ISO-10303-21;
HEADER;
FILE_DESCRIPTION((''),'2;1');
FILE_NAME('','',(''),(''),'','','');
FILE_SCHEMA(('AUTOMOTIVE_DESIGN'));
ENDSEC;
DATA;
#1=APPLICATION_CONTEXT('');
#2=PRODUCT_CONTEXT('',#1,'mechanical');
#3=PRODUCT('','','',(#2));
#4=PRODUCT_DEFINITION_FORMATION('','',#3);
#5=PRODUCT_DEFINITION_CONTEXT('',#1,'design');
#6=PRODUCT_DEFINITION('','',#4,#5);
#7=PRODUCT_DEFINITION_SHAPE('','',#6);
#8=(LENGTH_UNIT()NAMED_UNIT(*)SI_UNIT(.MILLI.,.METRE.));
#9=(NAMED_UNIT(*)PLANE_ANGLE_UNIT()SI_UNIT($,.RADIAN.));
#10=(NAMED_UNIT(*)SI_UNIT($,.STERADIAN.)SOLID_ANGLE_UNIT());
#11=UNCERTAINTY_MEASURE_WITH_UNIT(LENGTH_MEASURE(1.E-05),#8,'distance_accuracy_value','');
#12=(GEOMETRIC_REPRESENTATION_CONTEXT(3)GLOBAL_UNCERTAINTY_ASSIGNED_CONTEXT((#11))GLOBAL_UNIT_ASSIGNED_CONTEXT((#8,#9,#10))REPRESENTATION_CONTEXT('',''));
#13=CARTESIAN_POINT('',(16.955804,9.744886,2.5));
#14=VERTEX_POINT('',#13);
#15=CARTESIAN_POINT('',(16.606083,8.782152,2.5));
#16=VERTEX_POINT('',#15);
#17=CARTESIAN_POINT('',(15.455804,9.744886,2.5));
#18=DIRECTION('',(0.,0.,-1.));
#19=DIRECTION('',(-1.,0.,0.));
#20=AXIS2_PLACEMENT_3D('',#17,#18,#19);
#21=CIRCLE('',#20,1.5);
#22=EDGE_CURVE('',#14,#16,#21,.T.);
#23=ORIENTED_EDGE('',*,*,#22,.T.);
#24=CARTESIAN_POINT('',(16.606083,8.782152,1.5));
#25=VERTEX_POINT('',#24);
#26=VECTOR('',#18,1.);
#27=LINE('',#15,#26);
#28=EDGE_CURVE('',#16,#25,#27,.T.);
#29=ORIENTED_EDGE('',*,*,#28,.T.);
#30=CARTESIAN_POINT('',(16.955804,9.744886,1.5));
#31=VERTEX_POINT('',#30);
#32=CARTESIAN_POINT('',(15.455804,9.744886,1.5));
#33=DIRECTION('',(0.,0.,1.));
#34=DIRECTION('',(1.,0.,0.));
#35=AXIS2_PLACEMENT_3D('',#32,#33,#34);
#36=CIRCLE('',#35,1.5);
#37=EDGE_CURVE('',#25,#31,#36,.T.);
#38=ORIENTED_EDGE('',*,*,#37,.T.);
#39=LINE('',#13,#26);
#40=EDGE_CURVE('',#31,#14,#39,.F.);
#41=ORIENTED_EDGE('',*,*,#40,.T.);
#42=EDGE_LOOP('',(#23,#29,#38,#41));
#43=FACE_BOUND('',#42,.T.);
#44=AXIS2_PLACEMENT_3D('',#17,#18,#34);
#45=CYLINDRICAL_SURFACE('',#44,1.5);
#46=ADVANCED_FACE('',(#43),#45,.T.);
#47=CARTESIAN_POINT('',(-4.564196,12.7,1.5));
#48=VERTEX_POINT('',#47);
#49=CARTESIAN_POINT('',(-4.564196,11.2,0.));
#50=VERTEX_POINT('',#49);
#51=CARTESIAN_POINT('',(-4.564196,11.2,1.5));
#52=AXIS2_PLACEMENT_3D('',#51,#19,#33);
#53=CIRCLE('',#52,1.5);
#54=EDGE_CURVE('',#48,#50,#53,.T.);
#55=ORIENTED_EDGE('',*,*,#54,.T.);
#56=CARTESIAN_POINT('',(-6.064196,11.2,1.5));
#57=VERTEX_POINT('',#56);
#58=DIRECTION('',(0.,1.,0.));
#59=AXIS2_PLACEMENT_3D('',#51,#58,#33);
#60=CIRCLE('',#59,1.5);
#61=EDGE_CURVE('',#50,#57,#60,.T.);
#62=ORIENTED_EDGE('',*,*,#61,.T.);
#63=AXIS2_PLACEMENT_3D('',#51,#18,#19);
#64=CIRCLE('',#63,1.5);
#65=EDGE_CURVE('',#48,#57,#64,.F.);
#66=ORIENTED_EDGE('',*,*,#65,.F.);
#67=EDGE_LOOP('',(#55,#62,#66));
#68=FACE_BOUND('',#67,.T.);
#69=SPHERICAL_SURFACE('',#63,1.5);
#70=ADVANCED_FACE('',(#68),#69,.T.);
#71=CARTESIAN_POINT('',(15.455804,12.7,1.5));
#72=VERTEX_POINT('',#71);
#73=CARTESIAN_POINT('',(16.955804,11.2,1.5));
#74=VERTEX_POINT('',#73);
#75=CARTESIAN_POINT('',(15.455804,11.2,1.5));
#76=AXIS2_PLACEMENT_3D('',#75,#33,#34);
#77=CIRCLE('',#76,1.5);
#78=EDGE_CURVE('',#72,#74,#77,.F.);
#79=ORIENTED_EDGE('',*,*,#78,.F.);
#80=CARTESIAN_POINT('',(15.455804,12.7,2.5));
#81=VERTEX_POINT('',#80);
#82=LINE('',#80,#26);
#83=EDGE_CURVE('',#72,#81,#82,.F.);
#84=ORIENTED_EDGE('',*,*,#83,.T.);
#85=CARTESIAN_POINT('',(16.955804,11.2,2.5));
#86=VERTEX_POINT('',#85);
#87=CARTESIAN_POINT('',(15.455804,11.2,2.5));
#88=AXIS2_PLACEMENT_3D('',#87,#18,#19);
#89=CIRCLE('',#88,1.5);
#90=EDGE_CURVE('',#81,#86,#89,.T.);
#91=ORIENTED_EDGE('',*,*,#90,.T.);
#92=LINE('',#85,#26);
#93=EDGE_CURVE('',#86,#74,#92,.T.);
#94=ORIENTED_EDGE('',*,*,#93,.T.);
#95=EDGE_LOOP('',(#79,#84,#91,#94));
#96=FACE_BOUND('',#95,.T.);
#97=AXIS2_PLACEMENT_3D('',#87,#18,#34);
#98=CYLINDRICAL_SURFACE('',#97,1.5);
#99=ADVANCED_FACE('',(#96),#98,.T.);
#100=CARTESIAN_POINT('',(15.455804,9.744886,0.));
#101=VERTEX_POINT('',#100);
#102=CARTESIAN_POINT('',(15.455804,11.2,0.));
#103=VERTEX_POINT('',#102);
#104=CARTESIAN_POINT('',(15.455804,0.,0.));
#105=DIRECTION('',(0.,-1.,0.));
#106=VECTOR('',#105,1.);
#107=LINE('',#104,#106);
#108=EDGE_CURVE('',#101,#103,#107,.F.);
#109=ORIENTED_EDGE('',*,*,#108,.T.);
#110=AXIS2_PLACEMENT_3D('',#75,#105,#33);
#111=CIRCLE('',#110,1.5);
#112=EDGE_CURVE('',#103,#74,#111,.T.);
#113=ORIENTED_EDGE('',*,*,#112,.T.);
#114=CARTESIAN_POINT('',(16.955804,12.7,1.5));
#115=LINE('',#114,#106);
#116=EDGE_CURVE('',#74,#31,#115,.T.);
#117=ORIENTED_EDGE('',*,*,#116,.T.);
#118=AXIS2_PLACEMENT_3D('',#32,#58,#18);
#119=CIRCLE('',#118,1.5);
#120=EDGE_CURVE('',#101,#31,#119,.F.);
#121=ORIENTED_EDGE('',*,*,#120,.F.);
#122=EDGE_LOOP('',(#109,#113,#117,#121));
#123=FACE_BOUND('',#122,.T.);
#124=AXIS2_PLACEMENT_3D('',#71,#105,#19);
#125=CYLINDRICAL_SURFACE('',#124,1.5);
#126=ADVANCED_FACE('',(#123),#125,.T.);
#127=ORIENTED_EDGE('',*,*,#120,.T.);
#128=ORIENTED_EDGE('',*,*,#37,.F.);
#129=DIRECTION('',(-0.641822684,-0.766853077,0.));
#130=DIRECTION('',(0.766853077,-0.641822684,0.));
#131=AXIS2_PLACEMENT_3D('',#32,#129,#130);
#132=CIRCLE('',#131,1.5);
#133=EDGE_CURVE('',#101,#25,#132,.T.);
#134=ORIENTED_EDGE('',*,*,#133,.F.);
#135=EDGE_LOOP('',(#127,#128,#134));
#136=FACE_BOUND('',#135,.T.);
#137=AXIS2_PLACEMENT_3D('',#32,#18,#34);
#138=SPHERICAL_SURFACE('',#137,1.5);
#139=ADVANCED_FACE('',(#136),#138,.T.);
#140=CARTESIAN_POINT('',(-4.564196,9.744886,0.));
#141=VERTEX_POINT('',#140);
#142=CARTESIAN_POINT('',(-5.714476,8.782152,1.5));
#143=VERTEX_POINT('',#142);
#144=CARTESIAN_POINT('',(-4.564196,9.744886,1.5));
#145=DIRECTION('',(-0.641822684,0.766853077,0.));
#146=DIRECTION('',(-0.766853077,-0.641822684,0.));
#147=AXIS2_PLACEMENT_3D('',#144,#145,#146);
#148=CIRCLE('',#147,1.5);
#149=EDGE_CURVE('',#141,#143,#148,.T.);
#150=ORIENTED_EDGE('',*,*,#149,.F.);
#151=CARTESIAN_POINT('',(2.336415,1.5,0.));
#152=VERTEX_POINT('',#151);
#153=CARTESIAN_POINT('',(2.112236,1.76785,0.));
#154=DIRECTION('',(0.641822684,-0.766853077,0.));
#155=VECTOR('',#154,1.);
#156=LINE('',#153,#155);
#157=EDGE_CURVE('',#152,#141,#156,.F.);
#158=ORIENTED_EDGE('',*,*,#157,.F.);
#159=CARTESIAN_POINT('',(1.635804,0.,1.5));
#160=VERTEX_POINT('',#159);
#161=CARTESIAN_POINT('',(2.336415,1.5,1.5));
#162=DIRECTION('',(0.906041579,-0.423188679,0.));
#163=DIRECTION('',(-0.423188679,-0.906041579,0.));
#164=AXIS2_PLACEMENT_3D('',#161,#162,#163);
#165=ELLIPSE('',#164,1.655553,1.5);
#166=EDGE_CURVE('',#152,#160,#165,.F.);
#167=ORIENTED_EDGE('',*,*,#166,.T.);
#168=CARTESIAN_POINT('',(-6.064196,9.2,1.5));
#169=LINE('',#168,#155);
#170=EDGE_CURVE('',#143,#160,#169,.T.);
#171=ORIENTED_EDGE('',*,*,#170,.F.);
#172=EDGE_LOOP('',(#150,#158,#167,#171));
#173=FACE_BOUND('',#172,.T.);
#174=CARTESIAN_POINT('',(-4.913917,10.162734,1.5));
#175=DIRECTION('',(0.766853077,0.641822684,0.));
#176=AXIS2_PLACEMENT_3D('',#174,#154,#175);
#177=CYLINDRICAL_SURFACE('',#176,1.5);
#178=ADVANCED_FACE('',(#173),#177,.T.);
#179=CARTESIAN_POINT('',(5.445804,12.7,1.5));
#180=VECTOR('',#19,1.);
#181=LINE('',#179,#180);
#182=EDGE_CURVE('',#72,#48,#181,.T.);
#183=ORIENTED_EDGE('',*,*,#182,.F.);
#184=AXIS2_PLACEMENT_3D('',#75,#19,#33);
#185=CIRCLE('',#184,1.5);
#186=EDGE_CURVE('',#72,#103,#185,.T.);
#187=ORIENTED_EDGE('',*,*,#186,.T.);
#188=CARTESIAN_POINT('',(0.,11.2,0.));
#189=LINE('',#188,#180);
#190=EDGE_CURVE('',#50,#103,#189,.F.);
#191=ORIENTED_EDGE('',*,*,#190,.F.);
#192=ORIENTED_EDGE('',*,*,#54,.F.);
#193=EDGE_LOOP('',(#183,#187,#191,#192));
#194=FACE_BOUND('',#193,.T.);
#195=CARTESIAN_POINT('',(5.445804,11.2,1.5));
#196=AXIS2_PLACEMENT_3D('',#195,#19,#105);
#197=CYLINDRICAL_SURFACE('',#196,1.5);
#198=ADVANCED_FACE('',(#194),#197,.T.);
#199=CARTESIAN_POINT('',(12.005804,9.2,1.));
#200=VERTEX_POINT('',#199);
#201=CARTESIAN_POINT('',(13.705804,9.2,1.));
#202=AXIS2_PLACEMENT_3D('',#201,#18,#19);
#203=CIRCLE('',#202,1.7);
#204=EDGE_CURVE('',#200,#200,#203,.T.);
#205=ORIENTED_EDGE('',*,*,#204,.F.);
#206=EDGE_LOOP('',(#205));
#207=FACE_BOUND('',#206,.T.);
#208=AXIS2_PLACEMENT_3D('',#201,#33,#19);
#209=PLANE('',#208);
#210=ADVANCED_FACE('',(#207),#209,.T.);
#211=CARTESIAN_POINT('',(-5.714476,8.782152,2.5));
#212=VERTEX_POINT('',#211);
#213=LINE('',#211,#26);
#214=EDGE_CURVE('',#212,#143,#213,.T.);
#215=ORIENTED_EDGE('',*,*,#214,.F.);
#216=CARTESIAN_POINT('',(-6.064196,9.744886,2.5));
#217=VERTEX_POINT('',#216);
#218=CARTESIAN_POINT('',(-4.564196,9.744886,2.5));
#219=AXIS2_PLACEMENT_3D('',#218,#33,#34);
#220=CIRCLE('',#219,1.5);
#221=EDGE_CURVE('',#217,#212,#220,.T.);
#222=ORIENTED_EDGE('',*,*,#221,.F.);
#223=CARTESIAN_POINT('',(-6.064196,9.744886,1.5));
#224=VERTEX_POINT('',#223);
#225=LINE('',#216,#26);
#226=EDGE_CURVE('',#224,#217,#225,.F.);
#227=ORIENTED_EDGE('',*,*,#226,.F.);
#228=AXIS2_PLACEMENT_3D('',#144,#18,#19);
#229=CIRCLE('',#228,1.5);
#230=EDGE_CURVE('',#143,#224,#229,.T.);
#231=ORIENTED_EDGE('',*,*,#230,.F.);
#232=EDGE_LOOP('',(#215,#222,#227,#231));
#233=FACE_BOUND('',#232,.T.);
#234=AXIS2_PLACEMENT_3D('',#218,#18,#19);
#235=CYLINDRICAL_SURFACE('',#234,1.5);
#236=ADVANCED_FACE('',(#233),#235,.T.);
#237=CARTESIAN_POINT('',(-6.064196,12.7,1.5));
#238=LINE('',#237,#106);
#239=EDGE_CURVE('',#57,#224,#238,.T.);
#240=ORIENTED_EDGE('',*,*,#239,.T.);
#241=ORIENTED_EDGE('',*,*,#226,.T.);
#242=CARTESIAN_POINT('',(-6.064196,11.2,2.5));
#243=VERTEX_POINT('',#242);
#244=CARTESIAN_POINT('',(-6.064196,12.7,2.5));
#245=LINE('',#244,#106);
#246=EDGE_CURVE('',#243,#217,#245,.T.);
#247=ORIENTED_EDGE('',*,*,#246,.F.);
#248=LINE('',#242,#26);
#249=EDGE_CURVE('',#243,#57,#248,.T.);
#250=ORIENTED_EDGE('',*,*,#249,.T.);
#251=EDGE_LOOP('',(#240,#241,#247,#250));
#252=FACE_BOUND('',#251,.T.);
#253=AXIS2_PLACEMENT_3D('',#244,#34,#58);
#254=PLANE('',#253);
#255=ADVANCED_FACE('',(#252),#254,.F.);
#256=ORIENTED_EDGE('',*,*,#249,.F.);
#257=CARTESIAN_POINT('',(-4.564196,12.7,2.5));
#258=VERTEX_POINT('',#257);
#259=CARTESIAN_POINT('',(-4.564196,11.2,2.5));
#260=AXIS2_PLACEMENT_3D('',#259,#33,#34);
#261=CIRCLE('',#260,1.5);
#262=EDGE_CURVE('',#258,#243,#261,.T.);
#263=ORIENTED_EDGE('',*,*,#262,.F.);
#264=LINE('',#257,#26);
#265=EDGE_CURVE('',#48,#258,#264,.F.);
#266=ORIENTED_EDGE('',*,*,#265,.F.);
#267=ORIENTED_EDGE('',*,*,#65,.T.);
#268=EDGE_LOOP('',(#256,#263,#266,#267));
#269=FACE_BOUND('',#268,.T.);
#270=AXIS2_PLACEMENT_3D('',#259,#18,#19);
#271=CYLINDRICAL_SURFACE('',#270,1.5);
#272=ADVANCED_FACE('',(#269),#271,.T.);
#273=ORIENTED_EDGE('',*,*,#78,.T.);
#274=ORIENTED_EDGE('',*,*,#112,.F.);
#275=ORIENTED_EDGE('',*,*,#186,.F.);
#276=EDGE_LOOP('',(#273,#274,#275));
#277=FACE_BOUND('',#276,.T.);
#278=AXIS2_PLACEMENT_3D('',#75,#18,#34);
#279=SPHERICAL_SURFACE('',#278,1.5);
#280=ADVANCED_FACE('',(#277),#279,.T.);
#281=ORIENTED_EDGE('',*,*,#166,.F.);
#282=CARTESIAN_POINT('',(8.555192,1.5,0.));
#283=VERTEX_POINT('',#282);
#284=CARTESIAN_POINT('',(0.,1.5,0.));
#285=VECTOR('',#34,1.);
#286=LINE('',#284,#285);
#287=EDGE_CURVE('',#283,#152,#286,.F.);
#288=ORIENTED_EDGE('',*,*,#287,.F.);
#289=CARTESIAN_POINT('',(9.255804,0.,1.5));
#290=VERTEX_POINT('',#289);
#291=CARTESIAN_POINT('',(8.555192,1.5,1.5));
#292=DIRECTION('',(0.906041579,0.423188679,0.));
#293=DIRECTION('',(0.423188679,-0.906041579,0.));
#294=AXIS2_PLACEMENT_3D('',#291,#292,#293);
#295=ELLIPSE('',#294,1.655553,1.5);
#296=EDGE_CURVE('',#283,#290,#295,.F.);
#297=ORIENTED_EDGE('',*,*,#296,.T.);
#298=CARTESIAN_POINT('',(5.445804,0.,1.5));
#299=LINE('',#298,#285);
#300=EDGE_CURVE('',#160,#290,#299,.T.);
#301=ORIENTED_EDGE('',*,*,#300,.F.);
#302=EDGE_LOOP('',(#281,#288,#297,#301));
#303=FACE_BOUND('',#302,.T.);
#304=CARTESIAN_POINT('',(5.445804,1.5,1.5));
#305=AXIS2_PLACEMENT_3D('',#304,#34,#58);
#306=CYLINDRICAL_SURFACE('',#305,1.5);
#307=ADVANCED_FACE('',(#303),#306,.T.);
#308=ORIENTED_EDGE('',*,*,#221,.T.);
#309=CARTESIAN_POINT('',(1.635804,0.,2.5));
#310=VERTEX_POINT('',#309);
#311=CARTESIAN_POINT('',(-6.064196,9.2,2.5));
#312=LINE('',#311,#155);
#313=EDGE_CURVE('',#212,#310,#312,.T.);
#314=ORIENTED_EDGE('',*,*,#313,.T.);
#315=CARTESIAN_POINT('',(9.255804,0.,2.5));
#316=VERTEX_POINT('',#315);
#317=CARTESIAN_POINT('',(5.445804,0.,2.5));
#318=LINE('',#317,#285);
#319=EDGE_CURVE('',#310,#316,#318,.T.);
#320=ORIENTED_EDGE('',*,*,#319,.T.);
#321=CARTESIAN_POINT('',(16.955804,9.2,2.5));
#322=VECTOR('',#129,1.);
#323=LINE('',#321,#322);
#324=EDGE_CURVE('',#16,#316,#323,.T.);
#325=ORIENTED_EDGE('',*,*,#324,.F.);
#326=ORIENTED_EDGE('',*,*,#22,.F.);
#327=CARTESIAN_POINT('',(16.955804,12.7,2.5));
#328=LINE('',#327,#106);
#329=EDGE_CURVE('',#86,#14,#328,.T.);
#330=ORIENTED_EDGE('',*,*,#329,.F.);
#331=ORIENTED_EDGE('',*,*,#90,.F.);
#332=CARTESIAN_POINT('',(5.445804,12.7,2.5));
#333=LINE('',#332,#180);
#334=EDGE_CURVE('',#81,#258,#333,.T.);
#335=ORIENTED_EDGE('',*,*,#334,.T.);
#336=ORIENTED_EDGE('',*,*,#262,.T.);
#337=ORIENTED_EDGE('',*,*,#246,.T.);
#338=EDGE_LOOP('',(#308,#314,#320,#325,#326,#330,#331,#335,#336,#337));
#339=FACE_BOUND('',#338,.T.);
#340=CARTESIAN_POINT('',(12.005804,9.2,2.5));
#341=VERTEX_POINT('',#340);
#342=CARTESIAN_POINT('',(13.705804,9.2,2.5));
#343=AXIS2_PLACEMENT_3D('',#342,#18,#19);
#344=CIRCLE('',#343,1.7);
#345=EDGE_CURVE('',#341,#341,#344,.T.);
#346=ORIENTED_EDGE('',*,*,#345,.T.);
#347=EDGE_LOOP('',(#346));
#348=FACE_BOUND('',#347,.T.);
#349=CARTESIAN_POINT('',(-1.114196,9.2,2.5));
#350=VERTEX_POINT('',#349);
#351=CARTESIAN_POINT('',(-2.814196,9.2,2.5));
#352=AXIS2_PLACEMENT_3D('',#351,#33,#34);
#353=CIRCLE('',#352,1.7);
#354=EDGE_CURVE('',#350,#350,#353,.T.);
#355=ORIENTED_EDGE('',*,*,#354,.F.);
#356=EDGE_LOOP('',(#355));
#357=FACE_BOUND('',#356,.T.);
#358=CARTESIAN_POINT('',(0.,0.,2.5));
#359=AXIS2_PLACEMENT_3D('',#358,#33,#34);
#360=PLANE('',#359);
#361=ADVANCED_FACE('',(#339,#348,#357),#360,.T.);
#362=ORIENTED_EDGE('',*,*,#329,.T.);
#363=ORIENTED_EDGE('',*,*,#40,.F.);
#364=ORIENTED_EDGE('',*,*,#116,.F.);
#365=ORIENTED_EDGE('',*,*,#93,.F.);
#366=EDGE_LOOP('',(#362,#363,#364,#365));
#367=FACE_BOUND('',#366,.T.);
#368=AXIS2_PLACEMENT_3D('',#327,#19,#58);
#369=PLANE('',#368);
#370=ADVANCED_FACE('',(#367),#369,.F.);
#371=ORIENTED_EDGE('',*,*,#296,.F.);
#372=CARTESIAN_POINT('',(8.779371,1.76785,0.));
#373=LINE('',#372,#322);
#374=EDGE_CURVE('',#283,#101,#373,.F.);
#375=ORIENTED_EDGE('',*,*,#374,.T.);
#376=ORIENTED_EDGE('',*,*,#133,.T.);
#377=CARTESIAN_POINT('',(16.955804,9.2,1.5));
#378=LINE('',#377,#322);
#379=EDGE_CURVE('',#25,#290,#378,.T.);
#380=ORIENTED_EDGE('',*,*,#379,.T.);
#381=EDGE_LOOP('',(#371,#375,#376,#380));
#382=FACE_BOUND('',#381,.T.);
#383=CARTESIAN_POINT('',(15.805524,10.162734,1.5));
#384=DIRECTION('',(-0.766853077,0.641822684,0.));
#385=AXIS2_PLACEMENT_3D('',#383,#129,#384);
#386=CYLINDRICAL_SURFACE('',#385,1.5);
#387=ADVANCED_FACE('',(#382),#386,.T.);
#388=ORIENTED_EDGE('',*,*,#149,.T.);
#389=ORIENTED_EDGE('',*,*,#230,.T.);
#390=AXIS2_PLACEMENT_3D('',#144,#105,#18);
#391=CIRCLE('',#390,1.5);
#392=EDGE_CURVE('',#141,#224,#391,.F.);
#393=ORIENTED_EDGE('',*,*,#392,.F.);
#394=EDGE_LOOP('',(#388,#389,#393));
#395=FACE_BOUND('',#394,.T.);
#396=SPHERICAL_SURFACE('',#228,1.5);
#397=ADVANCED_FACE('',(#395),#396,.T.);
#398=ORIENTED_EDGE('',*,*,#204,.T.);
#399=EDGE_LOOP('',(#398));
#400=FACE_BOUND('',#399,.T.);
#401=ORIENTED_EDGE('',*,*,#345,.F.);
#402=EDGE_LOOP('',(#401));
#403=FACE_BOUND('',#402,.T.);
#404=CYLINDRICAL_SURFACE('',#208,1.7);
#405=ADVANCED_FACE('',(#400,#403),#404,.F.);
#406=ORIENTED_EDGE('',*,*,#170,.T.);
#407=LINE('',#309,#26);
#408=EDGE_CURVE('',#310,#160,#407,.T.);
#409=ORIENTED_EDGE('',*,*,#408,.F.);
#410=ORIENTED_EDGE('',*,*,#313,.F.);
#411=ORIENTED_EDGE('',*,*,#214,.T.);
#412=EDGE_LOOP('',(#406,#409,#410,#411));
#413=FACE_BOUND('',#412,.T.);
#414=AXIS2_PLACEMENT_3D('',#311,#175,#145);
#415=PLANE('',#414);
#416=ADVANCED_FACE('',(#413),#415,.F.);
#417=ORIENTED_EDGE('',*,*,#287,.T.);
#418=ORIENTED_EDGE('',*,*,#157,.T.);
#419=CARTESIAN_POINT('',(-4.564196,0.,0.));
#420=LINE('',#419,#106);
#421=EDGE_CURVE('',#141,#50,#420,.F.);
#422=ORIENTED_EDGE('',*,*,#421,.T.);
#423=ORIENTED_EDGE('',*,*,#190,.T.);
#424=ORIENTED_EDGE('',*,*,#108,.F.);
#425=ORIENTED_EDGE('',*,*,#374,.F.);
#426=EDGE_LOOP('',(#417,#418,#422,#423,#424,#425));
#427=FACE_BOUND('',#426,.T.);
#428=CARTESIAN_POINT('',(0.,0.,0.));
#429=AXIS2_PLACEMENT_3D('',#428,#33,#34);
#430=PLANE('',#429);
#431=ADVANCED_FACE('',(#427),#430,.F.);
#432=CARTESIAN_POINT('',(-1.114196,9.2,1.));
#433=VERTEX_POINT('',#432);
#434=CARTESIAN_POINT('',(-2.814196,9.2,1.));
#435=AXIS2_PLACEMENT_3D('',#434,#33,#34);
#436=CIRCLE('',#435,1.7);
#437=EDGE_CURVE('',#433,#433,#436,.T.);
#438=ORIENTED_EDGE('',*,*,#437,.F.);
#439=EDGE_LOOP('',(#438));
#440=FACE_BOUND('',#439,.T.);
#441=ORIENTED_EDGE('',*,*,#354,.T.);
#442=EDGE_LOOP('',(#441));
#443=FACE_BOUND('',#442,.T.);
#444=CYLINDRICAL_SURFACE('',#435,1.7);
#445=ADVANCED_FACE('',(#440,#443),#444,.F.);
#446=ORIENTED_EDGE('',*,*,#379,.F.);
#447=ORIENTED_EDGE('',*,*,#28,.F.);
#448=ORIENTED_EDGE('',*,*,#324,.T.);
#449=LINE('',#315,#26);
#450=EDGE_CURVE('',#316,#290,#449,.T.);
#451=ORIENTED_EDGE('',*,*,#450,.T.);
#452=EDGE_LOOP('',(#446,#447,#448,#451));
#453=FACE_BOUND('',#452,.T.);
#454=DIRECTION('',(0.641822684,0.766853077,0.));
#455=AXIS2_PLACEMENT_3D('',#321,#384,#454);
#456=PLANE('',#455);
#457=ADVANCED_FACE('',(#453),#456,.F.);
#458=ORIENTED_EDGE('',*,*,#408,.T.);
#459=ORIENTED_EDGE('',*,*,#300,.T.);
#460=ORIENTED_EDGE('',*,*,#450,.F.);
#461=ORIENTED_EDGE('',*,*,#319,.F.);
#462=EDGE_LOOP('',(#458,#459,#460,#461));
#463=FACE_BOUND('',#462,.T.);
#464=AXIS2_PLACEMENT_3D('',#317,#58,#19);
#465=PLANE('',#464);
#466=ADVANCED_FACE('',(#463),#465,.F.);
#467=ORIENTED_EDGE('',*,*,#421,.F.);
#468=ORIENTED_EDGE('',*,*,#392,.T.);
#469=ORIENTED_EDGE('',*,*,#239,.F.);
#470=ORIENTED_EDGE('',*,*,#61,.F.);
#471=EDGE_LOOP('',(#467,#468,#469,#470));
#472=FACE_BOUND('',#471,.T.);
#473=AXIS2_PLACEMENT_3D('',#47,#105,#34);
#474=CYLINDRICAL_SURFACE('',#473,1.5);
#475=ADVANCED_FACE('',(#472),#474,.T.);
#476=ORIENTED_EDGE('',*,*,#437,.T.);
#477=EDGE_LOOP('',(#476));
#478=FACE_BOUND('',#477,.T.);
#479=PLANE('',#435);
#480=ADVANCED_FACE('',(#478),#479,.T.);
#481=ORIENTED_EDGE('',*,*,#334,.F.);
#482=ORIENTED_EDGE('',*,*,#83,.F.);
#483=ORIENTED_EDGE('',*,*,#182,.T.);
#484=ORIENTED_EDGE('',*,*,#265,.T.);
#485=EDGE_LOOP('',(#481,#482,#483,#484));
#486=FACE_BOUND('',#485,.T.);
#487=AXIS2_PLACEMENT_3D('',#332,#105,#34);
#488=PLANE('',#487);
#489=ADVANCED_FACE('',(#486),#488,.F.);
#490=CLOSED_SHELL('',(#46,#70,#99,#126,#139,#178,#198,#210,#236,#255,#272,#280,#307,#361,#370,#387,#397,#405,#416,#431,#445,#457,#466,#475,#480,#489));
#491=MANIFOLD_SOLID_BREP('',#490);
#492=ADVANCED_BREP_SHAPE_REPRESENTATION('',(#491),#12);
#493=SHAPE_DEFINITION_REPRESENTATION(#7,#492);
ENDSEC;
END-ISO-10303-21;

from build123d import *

# Parameters (mm, degrees)
BOSS_EXTRUDE1_DEPTH = 2.5
SKETCH2_R           = 1.7
CUT_EXTRUDE1_DEPTH  = 1.5
FILLET1_R           = 1.5


with BuildPart() as part:
    # Sketch1 → Boss-Extrude1 (new body)
    with BuildSketch(Plane.XY):
        Polygon((-6.06419618, 12.7), (-6.06419618, 9.2), (1.63580382, 0), (5.44580382, 0), (5.44580382, 12.7), align=None)
    extrude(amount=BOSS_EXTRUDE1_DEPTH)

    # Sketch2 → Cut-Extrude1 (cut)
    with BuildSketch(Plane.XY.offset(2.5)):
        with Locations((-2.81419618, 9.2)):
            Circle(SKETCH2_R)
    extrude(amount=-CUT_EXTRUDE1_DEPTH, mode=Mode.SUBTRACT)

    # Fillet1
    fillet1_edges = [part.edges().sort_by_distance(p)[0] for p in [
        (3.54080382, 0, 0),
        (-2.21419618, 4.6, 0),
        (-6.06419618, 10.95, 0),
        (-0.30919618, 12.7, 0),
        (-6.06419618, 9.2, 1.25),
        (-6.06419618, 12.7, 1.25),
    ]]
    fillet(fillet1_edges, radius=FILLET1_R)

    # Mirror2: part across plane


with BuildPart() as part_1:
    add(part.part)
    add(part.part.mirror(Plane(origin=(5.44580382, 0, 2.5), x_dir=(0, 0, 1), z_dir=(-1, 0, 0))))


solid = part_1.part
